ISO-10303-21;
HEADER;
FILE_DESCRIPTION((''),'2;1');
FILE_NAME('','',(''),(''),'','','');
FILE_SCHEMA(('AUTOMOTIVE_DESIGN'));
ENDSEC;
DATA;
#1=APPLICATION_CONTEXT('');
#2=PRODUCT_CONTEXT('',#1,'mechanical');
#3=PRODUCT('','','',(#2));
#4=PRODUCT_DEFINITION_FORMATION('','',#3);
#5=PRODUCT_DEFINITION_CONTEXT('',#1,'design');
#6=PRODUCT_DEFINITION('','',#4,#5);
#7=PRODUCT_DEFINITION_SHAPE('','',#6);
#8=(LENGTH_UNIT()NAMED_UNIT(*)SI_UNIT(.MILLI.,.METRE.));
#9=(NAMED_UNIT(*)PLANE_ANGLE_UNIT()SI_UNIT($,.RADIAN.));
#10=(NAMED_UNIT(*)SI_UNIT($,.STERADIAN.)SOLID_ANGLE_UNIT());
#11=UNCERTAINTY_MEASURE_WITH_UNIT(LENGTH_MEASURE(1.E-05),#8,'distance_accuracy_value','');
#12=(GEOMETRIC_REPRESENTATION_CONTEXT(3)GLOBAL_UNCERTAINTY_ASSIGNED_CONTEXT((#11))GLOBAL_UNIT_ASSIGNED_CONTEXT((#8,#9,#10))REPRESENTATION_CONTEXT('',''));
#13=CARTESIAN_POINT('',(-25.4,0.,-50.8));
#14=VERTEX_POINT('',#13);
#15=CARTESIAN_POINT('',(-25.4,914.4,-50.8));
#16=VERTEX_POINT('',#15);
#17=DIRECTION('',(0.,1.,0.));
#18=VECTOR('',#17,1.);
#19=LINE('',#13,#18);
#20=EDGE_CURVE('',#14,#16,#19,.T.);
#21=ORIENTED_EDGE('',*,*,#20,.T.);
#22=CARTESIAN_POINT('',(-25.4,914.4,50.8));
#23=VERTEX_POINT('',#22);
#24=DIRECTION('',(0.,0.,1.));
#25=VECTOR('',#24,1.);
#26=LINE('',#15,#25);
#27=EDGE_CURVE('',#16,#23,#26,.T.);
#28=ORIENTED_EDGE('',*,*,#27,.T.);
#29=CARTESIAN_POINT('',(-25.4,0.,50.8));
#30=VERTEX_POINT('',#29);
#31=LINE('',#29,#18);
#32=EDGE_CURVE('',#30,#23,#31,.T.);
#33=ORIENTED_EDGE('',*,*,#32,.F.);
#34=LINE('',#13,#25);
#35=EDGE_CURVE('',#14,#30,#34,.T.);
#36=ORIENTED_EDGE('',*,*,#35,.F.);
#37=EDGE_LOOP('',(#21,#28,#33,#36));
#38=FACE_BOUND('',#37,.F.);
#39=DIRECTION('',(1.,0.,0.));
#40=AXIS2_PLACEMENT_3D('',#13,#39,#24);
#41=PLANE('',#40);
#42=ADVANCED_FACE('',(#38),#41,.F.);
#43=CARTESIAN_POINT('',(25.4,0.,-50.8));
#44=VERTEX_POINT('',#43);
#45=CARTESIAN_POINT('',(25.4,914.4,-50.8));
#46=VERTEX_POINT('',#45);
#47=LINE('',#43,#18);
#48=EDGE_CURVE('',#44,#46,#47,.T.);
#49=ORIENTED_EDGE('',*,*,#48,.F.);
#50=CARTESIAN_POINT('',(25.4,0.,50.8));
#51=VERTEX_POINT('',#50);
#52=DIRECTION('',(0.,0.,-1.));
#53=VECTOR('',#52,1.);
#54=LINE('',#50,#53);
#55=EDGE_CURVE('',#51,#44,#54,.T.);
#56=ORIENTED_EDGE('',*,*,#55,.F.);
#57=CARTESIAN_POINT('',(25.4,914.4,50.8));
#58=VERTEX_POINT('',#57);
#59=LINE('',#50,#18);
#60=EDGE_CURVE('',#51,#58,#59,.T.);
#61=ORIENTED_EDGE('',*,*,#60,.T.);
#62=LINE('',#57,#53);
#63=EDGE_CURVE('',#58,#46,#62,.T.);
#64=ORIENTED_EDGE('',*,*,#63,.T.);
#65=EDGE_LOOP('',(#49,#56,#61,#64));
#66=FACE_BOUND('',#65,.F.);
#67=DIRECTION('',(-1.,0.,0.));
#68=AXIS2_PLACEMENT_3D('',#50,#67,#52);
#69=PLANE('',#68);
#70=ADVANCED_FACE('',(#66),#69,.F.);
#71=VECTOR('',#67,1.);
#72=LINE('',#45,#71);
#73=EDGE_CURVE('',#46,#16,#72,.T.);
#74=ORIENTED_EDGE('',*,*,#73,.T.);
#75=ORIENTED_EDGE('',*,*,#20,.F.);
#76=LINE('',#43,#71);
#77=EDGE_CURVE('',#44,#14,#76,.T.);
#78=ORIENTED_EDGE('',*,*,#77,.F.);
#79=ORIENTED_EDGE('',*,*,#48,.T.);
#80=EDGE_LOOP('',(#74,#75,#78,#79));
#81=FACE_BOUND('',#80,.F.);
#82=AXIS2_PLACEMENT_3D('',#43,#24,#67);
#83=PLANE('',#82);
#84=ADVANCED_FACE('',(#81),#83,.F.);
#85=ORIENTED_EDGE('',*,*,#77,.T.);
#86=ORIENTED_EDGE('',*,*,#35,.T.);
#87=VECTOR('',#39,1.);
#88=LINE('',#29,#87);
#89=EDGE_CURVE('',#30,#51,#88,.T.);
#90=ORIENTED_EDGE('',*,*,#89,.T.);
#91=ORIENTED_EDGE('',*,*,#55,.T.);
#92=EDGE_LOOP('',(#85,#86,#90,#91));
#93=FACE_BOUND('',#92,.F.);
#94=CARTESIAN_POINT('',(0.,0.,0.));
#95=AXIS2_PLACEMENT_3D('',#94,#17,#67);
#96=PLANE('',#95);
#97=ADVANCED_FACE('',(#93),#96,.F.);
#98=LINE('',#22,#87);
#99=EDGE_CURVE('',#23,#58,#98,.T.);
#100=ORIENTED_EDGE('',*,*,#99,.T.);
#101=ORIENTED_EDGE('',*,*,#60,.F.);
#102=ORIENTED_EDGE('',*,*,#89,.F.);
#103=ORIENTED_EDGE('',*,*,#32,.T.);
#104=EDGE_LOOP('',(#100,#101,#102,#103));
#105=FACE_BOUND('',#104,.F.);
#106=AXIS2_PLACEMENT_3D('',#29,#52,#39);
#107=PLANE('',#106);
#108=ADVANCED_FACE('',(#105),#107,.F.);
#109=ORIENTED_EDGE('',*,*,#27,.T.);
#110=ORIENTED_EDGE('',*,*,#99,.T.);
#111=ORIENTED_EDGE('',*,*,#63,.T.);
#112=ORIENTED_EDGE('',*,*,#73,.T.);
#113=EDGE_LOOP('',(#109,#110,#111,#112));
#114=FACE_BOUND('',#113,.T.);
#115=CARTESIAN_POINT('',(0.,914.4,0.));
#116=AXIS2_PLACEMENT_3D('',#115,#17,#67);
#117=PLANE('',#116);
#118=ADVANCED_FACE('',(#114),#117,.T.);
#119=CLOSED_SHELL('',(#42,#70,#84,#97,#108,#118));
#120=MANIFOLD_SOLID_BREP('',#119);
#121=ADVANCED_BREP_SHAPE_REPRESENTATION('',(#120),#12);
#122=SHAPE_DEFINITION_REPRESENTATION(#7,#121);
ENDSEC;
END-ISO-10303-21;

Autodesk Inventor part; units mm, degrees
ref_plane "YZ Plane" through (0, 0, 0) normal (1, 0, 0) x (0, 1, 0)
ref_plane "XZ Plane" through (0, 0, 0) normal (0, 1, 0) x (-1, 0, 0)
ref_plane "XY Plane" through (0, 0, 0) normal (0, 0, 1) x (1, 0, 0)
sketch "Sketch1" plane through (0, 0, 0) normal (0, 1, 0) x (-1, 0, 0)
  line L0 (-25.4, -50.8) -> (25.4, -50.8)
  line L1 (25.4, -50.8) -> (25.4, 50.8)
  line L2 (25.4, 50.8) -> (-25.4, 50.8)
  line L3 (-25.4, 50.8) -> (-25.4, -50.8)
  line L4 (-25.4, -50.8) -> (25.4, 50.8) construction
  line L5 (25.4, -50.8) -> (-25.4, 50.8) construction
  point P0 (0, 0)
  dimension "d0" = 50.8
  dimension "d1" = 101.6
extrude "Extrusion1" add sketch "Sketch1" along normal blind 914.4
properties part number "2x4x36" material "Wood (Birch)"
